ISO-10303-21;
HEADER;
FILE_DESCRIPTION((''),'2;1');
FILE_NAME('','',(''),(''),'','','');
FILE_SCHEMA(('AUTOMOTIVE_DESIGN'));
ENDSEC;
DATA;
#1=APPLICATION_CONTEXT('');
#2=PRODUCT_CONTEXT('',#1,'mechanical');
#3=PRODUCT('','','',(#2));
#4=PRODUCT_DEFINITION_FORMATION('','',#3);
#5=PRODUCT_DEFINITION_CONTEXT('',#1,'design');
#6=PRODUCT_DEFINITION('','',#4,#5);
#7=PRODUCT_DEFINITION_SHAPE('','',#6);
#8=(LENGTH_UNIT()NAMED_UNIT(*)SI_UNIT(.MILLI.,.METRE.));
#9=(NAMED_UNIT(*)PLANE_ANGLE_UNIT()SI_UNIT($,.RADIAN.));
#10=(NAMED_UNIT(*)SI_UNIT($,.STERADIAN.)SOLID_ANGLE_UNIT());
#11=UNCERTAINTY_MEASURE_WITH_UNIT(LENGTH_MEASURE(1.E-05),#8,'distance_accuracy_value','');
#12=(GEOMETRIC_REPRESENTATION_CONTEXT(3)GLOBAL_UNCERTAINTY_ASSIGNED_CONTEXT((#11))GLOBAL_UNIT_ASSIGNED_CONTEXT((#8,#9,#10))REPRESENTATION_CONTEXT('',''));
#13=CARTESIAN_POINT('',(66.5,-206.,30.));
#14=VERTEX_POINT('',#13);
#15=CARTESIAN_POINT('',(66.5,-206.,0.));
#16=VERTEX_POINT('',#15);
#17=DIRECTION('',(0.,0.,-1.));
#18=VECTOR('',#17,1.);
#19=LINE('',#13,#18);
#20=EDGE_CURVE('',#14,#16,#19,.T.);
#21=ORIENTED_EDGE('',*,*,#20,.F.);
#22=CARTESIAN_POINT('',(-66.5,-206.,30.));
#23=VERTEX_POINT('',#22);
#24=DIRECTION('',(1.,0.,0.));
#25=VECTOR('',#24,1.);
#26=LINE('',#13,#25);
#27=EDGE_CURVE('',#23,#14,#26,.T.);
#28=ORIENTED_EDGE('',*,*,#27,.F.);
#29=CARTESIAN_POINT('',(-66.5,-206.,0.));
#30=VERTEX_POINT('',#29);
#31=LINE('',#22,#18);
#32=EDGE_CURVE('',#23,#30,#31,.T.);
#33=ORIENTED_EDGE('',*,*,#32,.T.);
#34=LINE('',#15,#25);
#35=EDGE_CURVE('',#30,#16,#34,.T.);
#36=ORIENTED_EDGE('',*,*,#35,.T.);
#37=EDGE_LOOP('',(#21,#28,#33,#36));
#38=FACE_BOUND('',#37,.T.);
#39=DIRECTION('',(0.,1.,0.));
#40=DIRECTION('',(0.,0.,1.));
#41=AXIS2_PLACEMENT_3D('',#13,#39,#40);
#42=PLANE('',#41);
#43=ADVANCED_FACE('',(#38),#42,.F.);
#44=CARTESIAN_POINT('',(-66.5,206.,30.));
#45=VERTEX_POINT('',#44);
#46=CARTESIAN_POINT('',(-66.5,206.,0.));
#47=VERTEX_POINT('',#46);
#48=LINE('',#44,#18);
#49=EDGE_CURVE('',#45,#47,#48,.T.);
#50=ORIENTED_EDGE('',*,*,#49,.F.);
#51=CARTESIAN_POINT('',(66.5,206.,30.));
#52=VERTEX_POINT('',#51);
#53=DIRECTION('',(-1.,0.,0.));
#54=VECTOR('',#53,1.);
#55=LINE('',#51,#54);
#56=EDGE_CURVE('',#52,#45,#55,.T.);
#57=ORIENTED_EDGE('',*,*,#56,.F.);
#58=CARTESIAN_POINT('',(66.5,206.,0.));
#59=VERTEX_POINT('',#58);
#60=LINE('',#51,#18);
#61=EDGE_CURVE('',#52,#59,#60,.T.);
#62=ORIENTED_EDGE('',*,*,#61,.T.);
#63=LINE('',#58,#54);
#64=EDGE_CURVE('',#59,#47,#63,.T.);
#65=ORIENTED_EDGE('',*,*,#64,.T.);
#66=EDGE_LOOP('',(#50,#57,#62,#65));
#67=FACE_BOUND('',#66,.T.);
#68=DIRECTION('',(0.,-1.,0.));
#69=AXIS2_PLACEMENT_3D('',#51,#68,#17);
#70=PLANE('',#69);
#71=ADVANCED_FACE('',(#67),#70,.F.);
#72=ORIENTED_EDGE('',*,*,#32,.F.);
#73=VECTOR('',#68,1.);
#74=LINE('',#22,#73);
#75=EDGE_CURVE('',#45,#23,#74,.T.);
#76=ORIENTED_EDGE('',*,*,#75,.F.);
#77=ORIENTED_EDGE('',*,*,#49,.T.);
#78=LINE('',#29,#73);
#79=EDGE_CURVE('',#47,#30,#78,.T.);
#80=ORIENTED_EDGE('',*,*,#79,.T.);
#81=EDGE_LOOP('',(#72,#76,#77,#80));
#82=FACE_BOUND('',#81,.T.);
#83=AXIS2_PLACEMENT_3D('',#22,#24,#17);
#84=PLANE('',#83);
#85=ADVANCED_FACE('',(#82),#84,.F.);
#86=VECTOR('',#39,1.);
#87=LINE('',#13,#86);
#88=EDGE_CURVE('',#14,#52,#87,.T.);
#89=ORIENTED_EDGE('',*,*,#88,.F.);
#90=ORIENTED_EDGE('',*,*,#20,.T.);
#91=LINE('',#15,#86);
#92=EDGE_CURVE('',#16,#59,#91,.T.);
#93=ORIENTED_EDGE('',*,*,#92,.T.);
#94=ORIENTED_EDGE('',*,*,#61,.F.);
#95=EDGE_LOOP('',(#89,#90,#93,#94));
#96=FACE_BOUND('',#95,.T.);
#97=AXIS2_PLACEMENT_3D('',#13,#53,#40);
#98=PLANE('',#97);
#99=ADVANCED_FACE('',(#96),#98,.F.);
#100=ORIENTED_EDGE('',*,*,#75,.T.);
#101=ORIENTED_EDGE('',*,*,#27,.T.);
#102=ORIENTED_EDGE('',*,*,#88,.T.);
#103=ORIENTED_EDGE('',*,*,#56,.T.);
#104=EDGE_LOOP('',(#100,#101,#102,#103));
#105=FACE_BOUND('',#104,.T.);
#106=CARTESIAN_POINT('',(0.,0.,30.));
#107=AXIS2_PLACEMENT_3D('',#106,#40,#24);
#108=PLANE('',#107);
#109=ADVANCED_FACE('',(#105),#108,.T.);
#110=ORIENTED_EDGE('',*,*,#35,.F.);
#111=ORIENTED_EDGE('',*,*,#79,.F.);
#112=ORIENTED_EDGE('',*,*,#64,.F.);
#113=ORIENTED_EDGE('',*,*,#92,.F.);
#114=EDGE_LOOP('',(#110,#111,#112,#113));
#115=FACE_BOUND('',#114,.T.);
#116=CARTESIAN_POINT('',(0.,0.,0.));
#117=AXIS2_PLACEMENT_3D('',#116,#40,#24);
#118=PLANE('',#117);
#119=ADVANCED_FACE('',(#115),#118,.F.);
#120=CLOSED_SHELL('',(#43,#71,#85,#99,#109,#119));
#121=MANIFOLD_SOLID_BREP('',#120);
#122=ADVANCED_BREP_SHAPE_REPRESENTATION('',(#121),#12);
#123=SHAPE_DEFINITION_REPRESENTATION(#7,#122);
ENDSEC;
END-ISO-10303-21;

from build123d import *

# Parameters (mm, degrees)
SKETCH_1_W      = 133
SKETCH_1_H      = 412
EXTRUDE_1_DEPTH = 30


with BuildPart() as part:
    # Эскиз1 → Бобышка-Вытянуть1 (new body)
    with BuildSketch(Plane.XY):
        Rectangle(SKETCH_1_W, SKETCH_1_H)
    extrude(amount=EXTRUDE_1_DEPTH)


solid = part.part
